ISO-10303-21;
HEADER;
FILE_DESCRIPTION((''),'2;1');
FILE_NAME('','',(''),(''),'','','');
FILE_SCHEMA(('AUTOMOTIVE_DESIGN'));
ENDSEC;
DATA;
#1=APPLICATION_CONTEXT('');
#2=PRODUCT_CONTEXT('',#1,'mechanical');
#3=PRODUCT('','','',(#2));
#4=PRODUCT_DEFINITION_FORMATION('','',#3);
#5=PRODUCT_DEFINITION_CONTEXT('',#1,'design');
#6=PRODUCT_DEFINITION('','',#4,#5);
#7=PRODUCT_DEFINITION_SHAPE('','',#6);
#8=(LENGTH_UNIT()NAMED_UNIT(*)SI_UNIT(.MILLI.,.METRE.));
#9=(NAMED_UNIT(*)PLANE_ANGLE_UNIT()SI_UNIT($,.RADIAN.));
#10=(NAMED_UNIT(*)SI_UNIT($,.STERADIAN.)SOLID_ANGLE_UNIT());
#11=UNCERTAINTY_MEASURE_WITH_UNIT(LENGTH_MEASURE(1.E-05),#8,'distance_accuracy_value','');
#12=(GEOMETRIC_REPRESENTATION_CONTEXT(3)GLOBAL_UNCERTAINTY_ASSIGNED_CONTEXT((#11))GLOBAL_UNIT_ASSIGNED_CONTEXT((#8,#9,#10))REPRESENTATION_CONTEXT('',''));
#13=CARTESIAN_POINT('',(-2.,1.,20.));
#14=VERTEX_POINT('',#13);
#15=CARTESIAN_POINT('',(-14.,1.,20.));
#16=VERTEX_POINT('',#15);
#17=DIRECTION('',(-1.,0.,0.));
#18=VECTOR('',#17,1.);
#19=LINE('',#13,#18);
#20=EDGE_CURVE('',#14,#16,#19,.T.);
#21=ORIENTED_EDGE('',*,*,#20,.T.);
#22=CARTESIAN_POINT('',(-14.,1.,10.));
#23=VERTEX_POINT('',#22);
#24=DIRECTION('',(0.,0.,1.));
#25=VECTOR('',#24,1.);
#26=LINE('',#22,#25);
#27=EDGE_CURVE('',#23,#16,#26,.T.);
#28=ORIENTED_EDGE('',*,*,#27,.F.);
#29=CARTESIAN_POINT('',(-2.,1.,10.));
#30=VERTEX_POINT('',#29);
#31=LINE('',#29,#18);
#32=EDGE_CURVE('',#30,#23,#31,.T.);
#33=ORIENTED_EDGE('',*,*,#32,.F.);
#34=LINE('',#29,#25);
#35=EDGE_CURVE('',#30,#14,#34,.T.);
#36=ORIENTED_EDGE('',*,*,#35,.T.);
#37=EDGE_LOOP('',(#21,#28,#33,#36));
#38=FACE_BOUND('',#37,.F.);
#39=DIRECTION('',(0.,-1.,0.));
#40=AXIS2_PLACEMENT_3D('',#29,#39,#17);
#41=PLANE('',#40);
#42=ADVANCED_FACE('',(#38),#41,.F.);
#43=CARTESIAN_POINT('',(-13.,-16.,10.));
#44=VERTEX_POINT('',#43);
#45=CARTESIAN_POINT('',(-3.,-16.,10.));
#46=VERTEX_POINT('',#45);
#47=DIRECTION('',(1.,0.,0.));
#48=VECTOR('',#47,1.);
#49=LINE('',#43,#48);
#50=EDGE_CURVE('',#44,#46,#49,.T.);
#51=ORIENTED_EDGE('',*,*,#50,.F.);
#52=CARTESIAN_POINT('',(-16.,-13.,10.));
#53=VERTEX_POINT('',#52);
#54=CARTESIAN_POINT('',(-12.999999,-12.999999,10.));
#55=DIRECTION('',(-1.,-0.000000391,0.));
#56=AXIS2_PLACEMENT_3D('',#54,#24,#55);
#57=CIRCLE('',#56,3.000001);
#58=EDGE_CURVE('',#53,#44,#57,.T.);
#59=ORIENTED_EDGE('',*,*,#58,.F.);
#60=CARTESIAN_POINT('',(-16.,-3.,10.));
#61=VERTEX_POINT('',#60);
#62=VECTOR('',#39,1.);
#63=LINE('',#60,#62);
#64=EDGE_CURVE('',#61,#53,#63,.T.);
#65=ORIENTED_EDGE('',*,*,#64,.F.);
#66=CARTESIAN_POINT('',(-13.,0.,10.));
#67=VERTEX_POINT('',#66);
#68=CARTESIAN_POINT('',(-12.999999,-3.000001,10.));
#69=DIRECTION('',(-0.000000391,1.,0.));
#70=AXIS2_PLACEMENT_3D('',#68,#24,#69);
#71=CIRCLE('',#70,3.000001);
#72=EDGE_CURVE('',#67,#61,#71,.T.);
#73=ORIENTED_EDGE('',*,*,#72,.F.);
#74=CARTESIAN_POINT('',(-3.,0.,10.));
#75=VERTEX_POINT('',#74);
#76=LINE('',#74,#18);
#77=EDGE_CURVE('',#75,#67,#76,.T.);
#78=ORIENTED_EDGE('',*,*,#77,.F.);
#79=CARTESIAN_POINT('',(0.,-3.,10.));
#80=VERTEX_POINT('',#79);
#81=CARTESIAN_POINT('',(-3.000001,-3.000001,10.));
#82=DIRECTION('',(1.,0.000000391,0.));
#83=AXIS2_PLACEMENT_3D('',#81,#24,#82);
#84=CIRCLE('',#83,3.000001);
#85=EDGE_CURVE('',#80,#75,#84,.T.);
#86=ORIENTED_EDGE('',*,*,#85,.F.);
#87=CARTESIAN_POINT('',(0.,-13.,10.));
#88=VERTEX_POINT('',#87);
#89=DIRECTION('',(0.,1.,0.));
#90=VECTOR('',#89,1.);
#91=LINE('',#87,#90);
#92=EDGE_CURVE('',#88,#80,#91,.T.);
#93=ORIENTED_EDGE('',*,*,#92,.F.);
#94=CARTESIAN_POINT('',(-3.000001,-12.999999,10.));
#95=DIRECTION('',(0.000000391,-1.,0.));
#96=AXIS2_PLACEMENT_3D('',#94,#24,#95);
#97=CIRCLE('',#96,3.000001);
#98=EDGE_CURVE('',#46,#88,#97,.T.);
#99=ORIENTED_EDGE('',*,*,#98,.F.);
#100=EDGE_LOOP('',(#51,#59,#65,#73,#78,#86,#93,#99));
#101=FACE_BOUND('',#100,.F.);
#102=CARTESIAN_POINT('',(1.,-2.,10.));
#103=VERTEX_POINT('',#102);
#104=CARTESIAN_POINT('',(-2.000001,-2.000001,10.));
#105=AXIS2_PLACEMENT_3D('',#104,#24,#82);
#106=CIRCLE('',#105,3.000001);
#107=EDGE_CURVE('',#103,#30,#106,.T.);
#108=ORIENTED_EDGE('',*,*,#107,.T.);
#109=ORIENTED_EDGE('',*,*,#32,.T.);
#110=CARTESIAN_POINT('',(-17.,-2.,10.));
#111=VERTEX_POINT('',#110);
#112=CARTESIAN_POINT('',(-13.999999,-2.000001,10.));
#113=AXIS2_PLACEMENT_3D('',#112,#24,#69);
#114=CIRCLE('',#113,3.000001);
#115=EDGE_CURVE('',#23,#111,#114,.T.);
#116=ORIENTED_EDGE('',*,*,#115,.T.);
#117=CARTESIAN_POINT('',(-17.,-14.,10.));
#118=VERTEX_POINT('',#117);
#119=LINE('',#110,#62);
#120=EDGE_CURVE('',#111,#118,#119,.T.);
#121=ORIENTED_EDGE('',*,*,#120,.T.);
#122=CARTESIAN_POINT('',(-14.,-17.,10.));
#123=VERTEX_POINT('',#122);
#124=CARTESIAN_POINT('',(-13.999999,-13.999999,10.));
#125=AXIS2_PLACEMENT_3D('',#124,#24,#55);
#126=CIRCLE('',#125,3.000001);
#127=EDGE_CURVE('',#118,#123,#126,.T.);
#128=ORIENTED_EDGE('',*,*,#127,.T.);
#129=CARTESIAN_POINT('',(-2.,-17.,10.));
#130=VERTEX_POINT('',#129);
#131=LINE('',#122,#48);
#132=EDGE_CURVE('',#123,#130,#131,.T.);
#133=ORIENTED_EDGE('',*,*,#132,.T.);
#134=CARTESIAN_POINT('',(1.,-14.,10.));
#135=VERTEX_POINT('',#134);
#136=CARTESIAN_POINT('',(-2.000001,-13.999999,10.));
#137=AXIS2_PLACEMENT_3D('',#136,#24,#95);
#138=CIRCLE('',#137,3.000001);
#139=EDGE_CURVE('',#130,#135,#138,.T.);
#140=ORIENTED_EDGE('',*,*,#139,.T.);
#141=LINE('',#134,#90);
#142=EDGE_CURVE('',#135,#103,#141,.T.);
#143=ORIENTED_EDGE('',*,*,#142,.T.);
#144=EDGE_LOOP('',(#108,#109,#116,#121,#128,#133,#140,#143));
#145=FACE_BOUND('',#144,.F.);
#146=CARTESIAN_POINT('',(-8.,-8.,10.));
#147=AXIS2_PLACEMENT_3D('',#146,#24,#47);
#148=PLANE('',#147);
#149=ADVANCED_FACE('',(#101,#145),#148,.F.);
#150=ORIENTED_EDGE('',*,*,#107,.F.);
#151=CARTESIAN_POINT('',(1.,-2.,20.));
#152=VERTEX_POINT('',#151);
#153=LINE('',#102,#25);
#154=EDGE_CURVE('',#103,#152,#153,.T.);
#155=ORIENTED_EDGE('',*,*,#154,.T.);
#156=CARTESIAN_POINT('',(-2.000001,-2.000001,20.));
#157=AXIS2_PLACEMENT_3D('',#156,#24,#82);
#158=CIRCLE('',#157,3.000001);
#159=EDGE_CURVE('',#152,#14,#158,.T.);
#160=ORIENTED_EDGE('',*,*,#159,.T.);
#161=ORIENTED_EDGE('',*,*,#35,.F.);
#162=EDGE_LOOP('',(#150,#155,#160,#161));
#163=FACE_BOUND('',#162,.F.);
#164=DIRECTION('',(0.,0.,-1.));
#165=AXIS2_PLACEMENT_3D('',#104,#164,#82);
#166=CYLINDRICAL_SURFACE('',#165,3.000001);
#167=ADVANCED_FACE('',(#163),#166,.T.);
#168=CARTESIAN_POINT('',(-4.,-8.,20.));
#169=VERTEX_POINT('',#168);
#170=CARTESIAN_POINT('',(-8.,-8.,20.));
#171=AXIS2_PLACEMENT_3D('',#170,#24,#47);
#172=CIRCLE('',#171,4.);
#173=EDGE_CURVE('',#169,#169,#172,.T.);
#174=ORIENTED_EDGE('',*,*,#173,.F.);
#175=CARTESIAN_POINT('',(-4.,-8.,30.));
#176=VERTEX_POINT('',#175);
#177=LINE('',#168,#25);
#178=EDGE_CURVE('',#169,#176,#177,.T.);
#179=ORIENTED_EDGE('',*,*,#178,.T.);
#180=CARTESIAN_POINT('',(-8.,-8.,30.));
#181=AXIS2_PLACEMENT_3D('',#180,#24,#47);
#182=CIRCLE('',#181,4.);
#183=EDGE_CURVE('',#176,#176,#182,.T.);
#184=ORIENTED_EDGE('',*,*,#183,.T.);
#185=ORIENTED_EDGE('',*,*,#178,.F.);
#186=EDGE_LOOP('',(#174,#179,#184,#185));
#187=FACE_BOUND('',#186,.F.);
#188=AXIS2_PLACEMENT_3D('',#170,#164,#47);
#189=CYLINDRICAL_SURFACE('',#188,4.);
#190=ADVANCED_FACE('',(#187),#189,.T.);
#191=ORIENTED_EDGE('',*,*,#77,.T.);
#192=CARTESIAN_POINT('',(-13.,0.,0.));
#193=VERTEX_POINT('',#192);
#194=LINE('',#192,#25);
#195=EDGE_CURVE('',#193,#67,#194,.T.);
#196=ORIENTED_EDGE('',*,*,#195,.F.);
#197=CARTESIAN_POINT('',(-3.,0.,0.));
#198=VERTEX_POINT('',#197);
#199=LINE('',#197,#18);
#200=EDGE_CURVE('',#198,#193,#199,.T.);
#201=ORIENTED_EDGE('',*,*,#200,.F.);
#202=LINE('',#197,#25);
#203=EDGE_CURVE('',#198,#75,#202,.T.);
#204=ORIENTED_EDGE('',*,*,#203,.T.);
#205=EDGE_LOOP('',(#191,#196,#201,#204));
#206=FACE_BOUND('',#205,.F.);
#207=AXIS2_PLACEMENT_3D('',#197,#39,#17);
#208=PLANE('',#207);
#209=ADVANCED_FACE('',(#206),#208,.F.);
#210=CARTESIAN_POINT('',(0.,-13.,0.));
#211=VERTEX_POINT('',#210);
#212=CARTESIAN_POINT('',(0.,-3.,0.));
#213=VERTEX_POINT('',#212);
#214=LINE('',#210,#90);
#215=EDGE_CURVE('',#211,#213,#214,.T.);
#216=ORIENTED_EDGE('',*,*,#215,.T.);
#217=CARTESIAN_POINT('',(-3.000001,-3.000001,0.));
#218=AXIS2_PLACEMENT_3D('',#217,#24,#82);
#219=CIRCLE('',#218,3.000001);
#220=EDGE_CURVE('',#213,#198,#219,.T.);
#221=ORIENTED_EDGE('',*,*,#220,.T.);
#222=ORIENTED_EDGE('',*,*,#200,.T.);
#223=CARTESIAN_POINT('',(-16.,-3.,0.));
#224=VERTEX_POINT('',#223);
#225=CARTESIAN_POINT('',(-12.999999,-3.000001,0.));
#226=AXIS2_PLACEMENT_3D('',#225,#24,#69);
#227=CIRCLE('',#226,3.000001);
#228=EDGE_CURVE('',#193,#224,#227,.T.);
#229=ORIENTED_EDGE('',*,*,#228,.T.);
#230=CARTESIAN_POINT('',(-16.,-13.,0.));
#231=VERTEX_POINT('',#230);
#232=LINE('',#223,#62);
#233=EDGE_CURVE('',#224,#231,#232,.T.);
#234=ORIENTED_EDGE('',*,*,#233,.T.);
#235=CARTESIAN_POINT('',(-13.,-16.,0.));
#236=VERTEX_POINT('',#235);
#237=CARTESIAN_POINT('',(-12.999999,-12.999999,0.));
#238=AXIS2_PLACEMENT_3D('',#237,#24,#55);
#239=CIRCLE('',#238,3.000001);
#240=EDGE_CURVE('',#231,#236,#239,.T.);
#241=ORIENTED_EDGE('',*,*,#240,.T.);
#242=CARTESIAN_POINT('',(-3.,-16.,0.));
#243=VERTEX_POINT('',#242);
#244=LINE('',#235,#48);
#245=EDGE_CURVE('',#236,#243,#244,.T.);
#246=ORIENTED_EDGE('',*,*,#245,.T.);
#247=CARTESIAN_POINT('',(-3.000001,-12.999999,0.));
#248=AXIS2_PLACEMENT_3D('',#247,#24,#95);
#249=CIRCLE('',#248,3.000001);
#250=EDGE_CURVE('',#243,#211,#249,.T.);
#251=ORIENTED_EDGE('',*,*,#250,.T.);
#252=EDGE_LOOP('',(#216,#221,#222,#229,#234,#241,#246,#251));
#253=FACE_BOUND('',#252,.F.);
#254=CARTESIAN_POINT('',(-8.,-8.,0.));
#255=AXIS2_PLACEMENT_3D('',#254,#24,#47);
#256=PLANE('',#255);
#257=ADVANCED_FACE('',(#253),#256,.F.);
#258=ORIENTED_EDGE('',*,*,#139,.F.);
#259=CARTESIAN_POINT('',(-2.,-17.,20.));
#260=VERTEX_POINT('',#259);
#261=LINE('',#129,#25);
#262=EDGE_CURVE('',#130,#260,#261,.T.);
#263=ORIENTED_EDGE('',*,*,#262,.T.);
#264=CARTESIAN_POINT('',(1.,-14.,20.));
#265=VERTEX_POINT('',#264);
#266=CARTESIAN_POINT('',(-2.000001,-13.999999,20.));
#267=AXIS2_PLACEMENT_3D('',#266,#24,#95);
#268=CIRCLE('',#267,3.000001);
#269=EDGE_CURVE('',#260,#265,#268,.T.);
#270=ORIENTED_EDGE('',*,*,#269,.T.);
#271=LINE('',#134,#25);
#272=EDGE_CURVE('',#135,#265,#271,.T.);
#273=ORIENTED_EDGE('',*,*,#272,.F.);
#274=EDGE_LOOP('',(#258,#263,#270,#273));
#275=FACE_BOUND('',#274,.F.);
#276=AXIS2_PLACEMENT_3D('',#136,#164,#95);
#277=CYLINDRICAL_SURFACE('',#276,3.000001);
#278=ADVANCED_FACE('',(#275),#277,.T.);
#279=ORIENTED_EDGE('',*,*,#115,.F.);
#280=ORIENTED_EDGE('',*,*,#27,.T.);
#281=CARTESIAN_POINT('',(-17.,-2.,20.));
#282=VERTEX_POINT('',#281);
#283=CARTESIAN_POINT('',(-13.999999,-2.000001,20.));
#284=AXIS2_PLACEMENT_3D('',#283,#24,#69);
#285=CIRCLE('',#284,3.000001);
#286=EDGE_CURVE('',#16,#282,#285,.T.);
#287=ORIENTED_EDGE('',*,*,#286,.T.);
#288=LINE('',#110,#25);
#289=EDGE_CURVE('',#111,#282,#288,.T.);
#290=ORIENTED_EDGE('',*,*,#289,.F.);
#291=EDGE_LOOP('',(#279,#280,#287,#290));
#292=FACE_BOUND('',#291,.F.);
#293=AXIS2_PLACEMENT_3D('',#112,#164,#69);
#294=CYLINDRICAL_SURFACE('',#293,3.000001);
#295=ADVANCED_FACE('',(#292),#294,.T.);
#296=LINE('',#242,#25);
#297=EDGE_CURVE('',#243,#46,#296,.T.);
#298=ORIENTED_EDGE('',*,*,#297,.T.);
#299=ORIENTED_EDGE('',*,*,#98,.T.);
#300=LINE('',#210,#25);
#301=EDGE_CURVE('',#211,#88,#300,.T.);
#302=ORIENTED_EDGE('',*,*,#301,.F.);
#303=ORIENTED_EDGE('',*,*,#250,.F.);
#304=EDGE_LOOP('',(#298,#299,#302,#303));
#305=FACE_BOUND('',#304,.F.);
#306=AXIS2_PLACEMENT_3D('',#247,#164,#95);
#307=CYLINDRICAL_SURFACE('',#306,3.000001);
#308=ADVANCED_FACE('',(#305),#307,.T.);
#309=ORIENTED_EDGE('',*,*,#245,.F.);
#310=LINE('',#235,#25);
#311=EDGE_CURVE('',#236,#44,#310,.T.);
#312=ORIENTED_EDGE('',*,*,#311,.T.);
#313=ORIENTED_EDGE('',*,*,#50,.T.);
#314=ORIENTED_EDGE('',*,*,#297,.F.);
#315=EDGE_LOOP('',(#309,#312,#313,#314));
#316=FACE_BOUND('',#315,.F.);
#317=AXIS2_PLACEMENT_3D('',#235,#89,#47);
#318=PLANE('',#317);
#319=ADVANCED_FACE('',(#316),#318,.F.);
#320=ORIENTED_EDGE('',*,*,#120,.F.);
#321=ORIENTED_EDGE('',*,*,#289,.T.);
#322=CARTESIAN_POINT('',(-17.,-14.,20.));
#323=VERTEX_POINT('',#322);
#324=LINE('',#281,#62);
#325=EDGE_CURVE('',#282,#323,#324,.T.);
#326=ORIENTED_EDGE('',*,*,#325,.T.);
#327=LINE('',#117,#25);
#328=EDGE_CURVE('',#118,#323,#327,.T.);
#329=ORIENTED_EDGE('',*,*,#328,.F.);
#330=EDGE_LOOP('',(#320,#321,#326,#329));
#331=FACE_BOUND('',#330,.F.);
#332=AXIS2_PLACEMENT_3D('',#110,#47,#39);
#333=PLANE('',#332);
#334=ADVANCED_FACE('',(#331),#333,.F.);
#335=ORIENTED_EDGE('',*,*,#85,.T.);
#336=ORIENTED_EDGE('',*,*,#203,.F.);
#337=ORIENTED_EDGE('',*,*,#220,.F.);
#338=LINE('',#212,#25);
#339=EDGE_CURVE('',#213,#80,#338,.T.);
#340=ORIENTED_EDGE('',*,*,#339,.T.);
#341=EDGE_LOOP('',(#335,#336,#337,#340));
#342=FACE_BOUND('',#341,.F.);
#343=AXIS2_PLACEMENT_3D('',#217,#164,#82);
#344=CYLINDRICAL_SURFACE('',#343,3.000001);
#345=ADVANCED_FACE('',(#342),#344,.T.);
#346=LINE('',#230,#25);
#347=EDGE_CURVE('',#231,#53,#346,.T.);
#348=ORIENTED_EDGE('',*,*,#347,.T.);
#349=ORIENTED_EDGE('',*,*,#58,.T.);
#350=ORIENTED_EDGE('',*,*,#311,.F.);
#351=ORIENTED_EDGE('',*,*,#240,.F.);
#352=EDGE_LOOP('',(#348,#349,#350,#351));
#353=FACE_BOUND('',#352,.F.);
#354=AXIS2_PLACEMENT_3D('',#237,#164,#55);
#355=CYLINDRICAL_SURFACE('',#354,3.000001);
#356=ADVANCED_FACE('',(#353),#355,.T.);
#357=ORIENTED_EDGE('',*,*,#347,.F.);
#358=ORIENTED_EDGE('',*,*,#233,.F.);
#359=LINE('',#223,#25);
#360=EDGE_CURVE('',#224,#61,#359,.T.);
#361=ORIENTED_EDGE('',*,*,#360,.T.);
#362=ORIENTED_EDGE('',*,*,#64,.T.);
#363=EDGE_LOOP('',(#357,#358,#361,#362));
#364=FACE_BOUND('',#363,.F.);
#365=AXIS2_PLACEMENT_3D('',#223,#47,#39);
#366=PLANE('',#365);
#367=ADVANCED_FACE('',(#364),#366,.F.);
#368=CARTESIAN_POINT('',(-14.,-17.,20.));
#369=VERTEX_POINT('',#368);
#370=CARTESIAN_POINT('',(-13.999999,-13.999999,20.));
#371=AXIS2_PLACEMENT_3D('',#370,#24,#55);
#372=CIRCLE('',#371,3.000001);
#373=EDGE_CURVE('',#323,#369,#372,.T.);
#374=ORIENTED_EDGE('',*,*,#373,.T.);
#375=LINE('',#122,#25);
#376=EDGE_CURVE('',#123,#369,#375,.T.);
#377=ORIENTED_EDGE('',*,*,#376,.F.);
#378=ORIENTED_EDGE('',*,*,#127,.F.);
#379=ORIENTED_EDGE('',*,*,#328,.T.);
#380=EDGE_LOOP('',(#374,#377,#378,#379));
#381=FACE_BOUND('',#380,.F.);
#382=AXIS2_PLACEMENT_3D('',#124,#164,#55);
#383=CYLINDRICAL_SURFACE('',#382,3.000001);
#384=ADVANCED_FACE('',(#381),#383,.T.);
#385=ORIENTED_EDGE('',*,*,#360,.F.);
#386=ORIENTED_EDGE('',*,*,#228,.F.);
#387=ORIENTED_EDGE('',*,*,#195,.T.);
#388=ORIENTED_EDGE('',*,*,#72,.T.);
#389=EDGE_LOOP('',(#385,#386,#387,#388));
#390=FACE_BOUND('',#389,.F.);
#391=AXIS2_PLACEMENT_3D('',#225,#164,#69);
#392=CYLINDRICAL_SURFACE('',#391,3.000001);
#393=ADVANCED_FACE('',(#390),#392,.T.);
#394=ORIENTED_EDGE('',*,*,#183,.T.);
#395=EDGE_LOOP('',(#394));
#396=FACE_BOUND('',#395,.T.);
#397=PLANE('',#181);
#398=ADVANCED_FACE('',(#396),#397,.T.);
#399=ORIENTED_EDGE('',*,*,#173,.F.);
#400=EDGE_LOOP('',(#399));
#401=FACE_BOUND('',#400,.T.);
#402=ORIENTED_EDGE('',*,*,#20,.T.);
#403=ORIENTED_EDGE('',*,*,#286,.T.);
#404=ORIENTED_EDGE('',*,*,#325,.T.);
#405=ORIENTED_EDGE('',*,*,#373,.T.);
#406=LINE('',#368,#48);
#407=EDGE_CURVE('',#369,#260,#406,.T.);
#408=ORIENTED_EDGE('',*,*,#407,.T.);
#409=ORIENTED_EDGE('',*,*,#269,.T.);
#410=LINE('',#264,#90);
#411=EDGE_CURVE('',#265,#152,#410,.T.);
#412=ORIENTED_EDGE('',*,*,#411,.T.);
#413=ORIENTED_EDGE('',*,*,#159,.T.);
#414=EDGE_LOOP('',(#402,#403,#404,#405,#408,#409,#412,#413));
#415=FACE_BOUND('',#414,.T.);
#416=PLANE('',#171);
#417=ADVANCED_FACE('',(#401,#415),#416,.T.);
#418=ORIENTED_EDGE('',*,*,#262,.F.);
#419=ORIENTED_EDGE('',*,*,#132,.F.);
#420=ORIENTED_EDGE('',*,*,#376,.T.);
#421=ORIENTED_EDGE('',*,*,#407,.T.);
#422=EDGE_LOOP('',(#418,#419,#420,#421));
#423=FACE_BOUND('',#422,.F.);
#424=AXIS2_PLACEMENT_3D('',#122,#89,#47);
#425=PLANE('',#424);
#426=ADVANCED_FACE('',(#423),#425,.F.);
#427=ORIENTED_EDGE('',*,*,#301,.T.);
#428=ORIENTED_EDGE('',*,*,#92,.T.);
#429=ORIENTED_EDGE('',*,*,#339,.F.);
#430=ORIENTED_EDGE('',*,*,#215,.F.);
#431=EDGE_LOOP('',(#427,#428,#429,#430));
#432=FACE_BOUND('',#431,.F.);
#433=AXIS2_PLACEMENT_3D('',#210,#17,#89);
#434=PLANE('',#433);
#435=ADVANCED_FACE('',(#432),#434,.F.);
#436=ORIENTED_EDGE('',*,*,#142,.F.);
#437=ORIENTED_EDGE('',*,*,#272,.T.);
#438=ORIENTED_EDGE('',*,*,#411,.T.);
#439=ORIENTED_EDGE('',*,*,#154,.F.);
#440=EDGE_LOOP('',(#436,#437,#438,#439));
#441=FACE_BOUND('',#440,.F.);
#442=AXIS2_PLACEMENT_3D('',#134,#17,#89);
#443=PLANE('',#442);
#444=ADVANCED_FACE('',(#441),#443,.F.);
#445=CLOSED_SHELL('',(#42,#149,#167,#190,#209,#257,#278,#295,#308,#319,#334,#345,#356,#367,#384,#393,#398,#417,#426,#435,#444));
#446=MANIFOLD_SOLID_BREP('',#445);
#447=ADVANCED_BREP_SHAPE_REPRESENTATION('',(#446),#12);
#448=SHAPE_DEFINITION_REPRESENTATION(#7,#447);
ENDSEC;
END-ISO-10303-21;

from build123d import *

# Parameters (mm, degrees)
F1_DEPTH = 10
F3_DEPTH = 10
F4_R     = 4
F5_DEPTH = 10


with BuildPart() as f1:
    # F0 (on Top) → F1 (new body)
    with BuildSketch(Plane.XY):
        with BuildLine():
            ThreePointArc((0, -3), (-0.87868, -0.87868), (-3, 0))
            Line((-3, 0), (-13, 0))
            ThreePointArc((-13, 0), (-15.12132, -0.87868), (-16, -3))
            Line((-16, -3), (-16, -13))
            ThreePointArc((-16, -13), (-15.12132, -15.12132), (-13, -16))
            Line((-13, -16), (-3, -16))
            ThreePointArc((-3, -16), (-0.87868, -15.12132), (0, -13))
            Line((0, -13), (0, -3))
        make_face()
    extrude(amount=F1_DEPTH)

    # F2 (on face) → F3 (join)
    with BuildSketch(Plane.XY.offset(10)):
        with BuildLine():
            Line((-2, 1), (-14, 1))
            ThreePointArc((-14, 1), (-16.12132, 0.12132), (-17, -2))
            Line((-17, -2), (-17, -14))
            ThreePointArc((-17, -14), (-16.12132, -16.12132), (-14, -17))
            Line((-14, -17), (-2, -17))
            ThreePointArc((-2, -17), (0.12132, -16.12132), (1, -14))
            Line((1, -14), (1, -2))
            ThreePointArc((1, -2), (0.12132, 0.12132), (-2, 1))
        make_face()
    extrude(amount=F3_DEPTH)

    # F4 (on face) → F5 (join)
    with BuildSketch(Plane.XY.offset(20)):
        with Locations((-8, -8)):
            Circle(F4_R)
    extrude(amount=F5_DEPTH)


solid = f1.part
